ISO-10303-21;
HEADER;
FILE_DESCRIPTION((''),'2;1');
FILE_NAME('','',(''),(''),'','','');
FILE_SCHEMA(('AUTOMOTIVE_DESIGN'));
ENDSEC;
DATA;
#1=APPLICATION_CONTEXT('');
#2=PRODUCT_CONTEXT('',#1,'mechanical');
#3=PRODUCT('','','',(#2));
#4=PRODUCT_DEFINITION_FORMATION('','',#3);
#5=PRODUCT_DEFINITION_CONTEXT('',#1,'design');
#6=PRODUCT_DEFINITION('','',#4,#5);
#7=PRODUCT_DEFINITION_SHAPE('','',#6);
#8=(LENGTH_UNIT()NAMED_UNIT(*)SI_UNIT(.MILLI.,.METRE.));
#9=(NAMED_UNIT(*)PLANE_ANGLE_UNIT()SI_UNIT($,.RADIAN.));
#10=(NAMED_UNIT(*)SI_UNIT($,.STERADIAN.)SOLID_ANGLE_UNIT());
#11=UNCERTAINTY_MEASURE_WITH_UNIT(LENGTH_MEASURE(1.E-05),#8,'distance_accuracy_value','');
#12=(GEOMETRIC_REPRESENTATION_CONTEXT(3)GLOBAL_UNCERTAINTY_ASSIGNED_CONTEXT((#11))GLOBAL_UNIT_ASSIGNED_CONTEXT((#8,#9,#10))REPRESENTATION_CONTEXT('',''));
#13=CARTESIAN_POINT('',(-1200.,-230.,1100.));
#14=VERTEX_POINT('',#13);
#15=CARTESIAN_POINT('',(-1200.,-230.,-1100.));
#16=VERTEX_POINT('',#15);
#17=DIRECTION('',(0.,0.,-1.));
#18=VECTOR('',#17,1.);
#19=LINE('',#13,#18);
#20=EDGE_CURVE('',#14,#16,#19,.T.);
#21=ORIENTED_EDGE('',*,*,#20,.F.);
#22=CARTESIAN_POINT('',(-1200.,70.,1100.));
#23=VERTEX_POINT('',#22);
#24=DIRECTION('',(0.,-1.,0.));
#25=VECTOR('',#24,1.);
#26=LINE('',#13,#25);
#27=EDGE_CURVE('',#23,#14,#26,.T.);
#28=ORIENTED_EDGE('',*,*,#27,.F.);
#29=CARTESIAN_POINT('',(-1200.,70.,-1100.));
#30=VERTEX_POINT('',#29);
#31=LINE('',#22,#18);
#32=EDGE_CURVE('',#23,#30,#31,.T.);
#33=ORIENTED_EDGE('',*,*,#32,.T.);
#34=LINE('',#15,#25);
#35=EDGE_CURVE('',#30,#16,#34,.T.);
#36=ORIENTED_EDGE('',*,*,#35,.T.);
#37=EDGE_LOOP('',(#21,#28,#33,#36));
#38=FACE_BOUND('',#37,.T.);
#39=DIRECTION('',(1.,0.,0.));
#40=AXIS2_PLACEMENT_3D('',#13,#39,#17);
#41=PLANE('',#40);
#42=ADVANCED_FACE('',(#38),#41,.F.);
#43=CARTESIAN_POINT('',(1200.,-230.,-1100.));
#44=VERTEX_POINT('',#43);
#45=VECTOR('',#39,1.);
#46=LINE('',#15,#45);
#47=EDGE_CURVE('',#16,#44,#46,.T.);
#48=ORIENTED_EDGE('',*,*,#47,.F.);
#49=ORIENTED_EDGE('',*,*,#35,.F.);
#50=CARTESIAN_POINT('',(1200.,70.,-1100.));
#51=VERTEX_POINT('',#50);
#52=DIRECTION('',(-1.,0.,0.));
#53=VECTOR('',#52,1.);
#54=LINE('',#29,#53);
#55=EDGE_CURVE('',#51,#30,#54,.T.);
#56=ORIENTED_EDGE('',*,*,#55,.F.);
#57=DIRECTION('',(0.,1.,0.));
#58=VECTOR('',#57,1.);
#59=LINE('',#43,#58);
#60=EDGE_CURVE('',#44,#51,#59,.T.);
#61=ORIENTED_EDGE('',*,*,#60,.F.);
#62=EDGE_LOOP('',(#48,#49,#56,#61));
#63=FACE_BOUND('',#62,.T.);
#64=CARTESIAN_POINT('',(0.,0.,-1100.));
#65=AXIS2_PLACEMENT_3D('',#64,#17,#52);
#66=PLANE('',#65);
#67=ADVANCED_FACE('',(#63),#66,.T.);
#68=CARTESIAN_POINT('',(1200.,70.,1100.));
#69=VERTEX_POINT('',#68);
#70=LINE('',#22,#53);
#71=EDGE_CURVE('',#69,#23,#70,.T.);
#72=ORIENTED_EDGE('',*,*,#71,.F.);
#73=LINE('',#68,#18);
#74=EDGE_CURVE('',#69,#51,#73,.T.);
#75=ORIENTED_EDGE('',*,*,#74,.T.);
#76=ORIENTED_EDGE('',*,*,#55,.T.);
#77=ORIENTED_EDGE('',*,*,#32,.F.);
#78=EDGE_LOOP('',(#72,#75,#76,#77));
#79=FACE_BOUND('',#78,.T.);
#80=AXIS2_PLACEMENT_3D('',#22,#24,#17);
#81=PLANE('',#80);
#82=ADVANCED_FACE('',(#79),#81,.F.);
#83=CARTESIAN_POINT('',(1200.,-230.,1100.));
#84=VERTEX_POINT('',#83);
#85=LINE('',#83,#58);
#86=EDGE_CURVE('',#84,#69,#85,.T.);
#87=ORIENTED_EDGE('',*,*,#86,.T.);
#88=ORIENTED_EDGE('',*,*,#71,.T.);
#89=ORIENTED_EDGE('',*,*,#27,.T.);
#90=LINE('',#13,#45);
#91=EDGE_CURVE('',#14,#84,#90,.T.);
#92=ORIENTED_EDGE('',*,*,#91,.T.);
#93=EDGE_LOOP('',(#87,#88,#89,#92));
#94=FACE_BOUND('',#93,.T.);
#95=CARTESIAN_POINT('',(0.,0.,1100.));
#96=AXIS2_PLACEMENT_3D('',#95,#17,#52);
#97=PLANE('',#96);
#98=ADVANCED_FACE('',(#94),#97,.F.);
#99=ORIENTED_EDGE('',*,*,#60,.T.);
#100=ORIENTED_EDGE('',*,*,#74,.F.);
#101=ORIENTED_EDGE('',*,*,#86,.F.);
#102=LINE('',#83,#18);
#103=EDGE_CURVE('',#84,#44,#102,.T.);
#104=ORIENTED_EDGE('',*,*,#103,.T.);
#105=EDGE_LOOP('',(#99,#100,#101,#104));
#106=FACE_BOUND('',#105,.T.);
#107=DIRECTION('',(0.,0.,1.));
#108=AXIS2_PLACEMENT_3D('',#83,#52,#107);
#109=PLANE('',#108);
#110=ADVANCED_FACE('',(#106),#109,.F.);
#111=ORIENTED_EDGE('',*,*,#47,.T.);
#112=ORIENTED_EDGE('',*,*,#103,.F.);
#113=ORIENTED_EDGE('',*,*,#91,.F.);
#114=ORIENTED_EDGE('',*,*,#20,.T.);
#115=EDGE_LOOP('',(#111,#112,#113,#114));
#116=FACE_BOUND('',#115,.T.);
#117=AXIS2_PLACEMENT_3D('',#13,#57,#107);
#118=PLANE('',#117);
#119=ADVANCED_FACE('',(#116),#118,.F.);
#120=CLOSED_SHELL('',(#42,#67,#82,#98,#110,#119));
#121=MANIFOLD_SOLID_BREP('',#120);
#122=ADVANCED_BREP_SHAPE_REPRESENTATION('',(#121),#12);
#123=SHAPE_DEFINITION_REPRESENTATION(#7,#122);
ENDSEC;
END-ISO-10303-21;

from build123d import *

# Parameters (mm, degrees)
BOSS_EXTRUDE1_START = -1100
SKETCH1_W           = 2400
SKETCH1_H           = 300
BOSS_EXTRUDE1_DEPTH = 2200


with BuildPart() as part:
    # Sketch1 → Boss-Extrude1 (new body)
    with BuildSketch(Plane.XY.offset(BOSS_EXTRUDE1_START)):
        with Locations((0, -80)):
            Rectangle(SKETCH1_W, SKETCH1_H)
    extrude(amount=BOSS_EXTRUDE1_DEPTH)


solid = part.part
